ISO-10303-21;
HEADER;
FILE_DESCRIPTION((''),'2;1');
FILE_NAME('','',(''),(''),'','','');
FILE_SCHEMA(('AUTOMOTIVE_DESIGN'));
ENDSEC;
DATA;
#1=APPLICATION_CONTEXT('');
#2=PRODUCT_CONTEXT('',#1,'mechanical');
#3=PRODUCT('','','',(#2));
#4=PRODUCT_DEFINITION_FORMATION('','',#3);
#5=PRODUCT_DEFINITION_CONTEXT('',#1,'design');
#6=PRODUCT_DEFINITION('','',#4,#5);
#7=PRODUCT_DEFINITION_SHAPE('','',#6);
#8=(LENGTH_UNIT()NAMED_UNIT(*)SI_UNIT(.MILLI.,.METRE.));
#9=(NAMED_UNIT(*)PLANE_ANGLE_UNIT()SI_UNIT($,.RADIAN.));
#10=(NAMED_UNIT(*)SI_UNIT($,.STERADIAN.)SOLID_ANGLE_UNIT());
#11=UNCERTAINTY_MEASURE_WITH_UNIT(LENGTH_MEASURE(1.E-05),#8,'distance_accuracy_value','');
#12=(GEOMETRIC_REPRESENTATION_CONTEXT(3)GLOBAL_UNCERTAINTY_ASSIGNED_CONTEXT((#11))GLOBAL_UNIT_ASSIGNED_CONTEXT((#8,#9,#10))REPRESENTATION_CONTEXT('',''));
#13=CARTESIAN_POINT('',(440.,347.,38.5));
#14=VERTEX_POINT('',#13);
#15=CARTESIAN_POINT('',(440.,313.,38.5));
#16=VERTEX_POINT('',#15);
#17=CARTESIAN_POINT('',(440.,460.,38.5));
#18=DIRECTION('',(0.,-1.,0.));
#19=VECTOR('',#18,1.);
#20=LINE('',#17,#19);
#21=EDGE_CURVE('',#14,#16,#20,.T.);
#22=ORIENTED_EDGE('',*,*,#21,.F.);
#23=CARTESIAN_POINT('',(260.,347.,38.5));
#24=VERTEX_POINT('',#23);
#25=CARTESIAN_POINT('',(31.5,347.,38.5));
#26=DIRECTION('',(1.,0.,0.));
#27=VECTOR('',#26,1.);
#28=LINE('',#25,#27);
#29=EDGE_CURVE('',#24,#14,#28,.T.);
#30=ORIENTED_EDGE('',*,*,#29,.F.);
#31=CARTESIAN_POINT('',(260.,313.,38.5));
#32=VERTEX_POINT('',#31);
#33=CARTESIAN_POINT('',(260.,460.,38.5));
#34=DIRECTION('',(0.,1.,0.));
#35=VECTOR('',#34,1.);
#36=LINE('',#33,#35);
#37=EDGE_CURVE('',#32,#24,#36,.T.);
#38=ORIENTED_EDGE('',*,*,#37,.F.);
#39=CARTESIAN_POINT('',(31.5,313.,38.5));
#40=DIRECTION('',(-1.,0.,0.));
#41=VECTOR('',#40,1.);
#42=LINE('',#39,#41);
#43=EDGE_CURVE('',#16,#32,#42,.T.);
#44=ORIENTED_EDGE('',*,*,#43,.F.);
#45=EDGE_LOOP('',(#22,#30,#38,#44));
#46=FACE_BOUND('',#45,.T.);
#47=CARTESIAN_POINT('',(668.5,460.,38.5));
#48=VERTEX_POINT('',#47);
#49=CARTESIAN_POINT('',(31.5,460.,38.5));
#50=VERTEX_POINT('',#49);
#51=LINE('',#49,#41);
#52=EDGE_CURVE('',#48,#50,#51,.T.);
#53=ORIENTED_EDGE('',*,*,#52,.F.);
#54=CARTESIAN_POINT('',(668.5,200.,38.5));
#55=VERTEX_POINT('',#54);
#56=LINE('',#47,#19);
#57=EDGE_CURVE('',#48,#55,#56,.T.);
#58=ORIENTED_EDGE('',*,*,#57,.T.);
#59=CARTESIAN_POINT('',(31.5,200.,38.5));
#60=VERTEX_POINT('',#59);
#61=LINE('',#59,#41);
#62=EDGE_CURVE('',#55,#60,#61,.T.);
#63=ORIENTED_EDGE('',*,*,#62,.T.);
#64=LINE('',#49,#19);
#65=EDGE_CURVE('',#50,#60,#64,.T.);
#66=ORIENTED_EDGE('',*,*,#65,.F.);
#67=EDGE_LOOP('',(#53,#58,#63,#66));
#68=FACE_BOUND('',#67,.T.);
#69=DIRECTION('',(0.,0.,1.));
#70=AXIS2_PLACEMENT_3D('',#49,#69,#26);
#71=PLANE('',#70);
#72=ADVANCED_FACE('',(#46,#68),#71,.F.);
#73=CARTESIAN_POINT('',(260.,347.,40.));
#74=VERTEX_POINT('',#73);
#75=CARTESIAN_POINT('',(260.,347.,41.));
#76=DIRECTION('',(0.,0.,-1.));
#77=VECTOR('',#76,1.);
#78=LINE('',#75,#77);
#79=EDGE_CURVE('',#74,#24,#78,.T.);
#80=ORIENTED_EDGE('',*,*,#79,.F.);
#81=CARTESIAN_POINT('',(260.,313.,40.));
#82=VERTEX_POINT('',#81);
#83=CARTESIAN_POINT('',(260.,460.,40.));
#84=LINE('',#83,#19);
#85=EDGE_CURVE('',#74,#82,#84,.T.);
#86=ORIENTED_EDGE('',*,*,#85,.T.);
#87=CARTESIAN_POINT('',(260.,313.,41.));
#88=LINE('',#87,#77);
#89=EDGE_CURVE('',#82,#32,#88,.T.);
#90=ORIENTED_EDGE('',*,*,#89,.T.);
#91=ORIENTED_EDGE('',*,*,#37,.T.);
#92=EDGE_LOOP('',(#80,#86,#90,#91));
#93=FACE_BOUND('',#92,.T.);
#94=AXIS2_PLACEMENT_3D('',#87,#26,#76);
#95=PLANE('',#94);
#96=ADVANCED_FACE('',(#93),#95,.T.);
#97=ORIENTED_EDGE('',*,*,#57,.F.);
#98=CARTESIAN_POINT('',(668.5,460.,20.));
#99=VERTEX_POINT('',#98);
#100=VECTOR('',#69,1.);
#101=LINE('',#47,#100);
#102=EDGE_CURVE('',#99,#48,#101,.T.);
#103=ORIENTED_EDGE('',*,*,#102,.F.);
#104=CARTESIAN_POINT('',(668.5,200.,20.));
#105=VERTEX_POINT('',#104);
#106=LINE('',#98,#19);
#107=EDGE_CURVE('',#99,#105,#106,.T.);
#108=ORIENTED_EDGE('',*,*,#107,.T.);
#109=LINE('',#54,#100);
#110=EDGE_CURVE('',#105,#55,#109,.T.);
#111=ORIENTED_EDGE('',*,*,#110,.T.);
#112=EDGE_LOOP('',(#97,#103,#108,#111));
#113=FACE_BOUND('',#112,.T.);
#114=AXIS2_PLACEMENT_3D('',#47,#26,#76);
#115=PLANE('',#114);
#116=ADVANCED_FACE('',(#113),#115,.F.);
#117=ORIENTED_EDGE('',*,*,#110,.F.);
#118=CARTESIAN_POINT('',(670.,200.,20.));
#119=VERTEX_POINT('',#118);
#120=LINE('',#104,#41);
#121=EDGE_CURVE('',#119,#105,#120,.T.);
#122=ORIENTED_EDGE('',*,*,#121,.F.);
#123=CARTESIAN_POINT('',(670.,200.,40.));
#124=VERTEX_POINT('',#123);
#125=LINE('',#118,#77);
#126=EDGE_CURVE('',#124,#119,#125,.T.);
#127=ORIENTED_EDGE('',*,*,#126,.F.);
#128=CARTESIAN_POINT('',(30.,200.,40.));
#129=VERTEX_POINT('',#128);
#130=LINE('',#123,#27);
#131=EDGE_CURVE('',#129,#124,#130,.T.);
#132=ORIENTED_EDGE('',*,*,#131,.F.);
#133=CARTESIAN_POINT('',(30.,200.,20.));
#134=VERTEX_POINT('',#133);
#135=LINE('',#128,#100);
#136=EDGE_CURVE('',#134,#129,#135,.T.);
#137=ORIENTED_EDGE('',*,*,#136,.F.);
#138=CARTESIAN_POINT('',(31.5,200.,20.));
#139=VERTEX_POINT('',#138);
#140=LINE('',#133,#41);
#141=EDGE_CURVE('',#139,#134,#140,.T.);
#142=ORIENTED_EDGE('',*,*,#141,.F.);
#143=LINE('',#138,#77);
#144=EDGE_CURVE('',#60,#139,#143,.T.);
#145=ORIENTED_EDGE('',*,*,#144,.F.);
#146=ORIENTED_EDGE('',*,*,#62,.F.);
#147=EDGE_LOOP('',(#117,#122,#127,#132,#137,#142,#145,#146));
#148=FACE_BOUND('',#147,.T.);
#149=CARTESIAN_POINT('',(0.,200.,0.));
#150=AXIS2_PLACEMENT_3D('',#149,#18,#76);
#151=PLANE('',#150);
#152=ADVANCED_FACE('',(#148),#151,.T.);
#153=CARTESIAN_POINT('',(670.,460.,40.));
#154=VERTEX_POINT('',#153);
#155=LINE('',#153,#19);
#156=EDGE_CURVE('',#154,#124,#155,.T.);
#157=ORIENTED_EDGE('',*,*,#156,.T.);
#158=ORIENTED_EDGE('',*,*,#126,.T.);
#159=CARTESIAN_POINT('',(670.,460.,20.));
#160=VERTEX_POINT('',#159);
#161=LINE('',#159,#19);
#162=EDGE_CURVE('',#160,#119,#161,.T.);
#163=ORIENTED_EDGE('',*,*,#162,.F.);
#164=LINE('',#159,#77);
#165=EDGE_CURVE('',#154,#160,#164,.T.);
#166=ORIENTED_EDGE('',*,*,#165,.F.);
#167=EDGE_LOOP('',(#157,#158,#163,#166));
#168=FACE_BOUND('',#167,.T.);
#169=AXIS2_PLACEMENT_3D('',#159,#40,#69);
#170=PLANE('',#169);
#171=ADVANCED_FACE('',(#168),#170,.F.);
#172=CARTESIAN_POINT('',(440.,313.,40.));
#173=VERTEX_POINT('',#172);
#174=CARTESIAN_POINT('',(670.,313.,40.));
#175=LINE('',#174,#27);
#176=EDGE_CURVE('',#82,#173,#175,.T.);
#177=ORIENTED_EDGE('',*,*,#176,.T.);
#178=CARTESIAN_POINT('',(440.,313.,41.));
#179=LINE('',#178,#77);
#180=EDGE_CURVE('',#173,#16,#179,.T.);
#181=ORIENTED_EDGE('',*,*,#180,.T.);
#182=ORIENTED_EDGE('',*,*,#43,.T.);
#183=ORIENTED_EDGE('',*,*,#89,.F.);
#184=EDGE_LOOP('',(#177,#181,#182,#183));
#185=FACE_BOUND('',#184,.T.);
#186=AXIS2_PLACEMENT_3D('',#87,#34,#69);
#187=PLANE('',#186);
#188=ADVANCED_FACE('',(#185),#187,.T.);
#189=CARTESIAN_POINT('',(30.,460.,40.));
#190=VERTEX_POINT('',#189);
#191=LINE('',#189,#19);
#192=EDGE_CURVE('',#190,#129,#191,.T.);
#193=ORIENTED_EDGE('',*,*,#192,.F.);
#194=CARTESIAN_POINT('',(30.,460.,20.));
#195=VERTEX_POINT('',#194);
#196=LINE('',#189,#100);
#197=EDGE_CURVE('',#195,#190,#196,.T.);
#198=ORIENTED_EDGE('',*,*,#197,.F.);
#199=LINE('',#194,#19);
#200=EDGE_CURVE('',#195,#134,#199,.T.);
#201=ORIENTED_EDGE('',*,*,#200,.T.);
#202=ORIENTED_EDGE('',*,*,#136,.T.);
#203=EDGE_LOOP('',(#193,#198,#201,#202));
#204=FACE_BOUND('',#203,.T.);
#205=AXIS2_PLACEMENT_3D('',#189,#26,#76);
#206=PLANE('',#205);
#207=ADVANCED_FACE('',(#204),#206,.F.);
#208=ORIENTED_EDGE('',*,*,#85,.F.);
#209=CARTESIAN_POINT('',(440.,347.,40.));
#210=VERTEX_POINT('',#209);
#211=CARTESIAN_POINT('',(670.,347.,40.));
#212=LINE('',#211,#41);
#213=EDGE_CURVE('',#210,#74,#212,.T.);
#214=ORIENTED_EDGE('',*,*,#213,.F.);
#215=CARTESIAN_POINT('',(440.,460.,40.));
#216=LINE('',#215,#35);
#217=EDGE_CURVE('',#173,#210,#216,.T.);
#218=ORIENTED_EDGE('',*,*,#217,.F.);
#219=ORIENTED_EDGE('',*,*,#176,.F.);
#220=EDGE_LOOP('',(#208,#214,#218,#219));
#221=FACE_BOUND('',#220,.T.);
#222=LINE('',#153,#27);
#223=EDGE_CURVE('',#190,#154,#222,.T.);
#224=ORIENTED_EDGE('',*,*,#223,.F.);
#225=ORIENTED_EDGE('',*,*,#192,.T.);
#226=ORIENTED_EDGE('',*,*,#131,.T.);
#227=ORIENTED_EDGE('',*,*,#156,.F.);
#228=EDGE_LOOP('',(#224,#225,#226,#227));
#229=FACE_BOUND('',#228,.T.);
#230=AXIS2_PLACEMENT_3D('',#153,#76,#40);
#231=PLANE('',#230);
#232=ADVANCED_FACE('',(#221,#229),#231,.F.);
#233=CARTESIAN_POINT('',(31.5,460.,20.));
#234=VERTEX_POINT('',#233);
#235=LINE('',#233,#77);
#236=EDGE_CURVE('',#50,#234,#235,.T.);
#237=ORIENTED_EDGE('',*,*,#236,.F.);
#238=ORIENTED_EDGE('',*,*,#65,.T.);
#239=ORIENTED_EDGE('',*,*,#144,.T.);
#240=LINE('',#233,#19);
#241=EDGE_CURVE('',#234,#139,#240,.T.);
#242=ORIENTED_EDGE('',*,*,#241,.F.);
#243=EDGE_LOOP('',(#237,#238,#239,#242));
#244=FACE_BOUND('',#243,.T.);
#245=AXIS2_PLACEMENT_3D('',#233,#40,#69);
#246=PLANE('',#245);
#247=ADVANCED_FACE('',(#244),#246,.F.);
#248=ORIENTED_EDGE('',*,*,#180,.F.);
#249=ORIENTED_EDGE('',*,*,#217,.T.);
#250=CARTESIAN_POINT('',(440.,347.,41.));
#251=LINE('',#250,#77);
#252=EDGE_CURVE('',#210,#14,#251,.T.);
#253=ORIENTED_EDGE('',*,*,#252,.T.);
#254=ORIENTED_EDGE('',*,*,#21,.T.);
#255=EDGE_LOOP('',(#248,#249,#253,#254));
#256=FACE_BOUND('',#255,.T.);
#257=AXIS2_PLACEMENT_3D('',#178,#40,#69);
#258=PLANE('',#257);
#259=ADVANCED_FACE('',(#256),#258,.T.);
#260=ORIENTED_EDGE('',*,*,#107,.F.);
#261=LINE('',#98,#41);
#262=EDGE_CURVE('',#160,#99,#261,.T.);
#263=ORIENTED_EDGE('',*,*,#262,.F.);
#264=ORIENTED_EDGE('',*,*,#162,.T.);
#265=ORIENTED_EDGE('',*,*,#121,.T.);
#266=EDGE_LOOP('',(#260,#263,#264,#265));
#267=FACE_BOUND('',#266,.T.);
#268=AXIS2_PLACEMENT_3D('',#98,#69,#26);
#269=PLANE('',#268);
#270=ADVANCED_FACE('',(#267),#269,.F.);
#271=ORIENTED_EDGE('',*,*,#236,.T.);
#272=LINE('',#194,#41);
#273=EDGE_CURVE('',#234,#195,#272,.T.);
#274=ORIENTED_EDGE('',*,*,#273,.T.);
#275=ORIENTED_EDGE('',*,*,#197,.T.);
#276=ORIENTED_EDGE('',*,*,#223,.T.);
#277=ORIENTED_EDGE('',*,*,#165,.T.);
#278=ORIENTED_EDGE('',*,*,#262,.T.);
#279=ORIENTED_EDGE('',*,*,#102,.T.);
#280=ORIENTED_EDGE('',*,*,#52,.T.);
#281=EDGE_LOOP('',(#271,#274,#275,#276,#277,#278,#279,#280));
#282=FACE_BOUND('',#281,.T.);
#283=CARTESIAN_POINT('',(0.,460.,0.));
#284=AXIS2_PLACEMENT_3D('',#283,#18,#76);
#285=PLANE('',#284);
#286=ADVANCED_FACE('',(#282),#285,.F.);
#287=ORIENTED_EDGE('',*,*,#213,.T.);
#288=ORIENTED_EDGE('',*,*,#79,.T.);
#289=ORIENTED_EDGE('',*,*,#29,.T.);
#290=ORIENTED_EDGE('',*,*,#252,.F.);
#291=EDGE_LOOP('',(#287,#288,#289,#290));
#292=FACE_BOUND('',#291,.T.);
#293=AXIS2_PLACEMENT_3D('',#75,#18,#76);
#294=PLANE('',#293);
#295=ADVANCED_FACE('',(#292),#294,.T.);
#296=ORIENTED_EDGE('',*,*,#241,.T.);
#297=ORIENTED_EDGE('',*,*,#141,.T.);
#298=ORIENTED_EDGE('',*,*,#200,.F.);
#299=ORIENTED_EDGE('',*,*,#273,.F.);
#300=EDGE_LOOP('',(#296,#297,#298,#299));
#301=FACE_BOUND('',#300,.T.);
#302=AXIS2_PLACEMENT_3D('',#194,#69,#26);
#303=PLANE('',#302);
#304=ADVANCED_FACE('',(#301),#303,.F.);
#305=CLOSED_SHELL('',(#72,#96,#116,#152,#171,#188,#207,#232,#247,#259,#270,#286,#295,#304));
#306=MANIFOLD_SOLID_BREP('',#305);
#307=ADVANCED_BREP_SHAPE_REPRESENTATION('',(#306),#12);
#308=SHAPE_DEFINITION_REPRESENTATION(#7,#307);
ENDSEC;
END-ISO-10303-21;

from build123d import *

# Parameters (mm, degrees)
TOPPING_KLAPE_ALT2_KAPAK_1_START = 200
TOPPING_KLAPE_ALT2_KAPAK_1_DEPTH = 260
TOPPING_KLAPE_ALT2_KAPAK_2_START = 27
SKETCH2_W                        = 180
SKETCH2_H                        = 34
TOPPING_KLAPE_ALT2_KAPAK_2_DEPTH = 14


with BuildPart() as part:
    # Sketch1 → TOPPING_klape_alt2_kapak_1 (new body)
    with BuildSketch(Plane(origin=(0, 0, 0), x_dir=(1, 0, 0), z_dir=(0, 1, 0)).offset(TOPPING_KLAPE_ALT2_KAPAK_1_START)):
        Polygon((30, -40), (30, -20), (31.5, -20), (31.5, -38.5), (668.5, -38.5), (668.5, -20), (670, -20), (670, -40), align=None)
    extrude(amount=TOPPING_KLAPE_ALT2_KAPAK_1_DEPTH)

    # Sketch2 → TOPPING_klape_alt2_kapak_2 (cut)
    with BuildSketch(Plane.XY.offset(TOPPING_KLAPE_ALT2_KAPAK_2_START)):
        with Locations((350, 330)):
            Rectangle(SKETCH2_W, SKETCH2_H)
    extrude(amount=TOPPING_KLAPE_ALT2_KAPAK_2_DEPTH, mode=Mode.SUBTRACT)


solid = part.part
